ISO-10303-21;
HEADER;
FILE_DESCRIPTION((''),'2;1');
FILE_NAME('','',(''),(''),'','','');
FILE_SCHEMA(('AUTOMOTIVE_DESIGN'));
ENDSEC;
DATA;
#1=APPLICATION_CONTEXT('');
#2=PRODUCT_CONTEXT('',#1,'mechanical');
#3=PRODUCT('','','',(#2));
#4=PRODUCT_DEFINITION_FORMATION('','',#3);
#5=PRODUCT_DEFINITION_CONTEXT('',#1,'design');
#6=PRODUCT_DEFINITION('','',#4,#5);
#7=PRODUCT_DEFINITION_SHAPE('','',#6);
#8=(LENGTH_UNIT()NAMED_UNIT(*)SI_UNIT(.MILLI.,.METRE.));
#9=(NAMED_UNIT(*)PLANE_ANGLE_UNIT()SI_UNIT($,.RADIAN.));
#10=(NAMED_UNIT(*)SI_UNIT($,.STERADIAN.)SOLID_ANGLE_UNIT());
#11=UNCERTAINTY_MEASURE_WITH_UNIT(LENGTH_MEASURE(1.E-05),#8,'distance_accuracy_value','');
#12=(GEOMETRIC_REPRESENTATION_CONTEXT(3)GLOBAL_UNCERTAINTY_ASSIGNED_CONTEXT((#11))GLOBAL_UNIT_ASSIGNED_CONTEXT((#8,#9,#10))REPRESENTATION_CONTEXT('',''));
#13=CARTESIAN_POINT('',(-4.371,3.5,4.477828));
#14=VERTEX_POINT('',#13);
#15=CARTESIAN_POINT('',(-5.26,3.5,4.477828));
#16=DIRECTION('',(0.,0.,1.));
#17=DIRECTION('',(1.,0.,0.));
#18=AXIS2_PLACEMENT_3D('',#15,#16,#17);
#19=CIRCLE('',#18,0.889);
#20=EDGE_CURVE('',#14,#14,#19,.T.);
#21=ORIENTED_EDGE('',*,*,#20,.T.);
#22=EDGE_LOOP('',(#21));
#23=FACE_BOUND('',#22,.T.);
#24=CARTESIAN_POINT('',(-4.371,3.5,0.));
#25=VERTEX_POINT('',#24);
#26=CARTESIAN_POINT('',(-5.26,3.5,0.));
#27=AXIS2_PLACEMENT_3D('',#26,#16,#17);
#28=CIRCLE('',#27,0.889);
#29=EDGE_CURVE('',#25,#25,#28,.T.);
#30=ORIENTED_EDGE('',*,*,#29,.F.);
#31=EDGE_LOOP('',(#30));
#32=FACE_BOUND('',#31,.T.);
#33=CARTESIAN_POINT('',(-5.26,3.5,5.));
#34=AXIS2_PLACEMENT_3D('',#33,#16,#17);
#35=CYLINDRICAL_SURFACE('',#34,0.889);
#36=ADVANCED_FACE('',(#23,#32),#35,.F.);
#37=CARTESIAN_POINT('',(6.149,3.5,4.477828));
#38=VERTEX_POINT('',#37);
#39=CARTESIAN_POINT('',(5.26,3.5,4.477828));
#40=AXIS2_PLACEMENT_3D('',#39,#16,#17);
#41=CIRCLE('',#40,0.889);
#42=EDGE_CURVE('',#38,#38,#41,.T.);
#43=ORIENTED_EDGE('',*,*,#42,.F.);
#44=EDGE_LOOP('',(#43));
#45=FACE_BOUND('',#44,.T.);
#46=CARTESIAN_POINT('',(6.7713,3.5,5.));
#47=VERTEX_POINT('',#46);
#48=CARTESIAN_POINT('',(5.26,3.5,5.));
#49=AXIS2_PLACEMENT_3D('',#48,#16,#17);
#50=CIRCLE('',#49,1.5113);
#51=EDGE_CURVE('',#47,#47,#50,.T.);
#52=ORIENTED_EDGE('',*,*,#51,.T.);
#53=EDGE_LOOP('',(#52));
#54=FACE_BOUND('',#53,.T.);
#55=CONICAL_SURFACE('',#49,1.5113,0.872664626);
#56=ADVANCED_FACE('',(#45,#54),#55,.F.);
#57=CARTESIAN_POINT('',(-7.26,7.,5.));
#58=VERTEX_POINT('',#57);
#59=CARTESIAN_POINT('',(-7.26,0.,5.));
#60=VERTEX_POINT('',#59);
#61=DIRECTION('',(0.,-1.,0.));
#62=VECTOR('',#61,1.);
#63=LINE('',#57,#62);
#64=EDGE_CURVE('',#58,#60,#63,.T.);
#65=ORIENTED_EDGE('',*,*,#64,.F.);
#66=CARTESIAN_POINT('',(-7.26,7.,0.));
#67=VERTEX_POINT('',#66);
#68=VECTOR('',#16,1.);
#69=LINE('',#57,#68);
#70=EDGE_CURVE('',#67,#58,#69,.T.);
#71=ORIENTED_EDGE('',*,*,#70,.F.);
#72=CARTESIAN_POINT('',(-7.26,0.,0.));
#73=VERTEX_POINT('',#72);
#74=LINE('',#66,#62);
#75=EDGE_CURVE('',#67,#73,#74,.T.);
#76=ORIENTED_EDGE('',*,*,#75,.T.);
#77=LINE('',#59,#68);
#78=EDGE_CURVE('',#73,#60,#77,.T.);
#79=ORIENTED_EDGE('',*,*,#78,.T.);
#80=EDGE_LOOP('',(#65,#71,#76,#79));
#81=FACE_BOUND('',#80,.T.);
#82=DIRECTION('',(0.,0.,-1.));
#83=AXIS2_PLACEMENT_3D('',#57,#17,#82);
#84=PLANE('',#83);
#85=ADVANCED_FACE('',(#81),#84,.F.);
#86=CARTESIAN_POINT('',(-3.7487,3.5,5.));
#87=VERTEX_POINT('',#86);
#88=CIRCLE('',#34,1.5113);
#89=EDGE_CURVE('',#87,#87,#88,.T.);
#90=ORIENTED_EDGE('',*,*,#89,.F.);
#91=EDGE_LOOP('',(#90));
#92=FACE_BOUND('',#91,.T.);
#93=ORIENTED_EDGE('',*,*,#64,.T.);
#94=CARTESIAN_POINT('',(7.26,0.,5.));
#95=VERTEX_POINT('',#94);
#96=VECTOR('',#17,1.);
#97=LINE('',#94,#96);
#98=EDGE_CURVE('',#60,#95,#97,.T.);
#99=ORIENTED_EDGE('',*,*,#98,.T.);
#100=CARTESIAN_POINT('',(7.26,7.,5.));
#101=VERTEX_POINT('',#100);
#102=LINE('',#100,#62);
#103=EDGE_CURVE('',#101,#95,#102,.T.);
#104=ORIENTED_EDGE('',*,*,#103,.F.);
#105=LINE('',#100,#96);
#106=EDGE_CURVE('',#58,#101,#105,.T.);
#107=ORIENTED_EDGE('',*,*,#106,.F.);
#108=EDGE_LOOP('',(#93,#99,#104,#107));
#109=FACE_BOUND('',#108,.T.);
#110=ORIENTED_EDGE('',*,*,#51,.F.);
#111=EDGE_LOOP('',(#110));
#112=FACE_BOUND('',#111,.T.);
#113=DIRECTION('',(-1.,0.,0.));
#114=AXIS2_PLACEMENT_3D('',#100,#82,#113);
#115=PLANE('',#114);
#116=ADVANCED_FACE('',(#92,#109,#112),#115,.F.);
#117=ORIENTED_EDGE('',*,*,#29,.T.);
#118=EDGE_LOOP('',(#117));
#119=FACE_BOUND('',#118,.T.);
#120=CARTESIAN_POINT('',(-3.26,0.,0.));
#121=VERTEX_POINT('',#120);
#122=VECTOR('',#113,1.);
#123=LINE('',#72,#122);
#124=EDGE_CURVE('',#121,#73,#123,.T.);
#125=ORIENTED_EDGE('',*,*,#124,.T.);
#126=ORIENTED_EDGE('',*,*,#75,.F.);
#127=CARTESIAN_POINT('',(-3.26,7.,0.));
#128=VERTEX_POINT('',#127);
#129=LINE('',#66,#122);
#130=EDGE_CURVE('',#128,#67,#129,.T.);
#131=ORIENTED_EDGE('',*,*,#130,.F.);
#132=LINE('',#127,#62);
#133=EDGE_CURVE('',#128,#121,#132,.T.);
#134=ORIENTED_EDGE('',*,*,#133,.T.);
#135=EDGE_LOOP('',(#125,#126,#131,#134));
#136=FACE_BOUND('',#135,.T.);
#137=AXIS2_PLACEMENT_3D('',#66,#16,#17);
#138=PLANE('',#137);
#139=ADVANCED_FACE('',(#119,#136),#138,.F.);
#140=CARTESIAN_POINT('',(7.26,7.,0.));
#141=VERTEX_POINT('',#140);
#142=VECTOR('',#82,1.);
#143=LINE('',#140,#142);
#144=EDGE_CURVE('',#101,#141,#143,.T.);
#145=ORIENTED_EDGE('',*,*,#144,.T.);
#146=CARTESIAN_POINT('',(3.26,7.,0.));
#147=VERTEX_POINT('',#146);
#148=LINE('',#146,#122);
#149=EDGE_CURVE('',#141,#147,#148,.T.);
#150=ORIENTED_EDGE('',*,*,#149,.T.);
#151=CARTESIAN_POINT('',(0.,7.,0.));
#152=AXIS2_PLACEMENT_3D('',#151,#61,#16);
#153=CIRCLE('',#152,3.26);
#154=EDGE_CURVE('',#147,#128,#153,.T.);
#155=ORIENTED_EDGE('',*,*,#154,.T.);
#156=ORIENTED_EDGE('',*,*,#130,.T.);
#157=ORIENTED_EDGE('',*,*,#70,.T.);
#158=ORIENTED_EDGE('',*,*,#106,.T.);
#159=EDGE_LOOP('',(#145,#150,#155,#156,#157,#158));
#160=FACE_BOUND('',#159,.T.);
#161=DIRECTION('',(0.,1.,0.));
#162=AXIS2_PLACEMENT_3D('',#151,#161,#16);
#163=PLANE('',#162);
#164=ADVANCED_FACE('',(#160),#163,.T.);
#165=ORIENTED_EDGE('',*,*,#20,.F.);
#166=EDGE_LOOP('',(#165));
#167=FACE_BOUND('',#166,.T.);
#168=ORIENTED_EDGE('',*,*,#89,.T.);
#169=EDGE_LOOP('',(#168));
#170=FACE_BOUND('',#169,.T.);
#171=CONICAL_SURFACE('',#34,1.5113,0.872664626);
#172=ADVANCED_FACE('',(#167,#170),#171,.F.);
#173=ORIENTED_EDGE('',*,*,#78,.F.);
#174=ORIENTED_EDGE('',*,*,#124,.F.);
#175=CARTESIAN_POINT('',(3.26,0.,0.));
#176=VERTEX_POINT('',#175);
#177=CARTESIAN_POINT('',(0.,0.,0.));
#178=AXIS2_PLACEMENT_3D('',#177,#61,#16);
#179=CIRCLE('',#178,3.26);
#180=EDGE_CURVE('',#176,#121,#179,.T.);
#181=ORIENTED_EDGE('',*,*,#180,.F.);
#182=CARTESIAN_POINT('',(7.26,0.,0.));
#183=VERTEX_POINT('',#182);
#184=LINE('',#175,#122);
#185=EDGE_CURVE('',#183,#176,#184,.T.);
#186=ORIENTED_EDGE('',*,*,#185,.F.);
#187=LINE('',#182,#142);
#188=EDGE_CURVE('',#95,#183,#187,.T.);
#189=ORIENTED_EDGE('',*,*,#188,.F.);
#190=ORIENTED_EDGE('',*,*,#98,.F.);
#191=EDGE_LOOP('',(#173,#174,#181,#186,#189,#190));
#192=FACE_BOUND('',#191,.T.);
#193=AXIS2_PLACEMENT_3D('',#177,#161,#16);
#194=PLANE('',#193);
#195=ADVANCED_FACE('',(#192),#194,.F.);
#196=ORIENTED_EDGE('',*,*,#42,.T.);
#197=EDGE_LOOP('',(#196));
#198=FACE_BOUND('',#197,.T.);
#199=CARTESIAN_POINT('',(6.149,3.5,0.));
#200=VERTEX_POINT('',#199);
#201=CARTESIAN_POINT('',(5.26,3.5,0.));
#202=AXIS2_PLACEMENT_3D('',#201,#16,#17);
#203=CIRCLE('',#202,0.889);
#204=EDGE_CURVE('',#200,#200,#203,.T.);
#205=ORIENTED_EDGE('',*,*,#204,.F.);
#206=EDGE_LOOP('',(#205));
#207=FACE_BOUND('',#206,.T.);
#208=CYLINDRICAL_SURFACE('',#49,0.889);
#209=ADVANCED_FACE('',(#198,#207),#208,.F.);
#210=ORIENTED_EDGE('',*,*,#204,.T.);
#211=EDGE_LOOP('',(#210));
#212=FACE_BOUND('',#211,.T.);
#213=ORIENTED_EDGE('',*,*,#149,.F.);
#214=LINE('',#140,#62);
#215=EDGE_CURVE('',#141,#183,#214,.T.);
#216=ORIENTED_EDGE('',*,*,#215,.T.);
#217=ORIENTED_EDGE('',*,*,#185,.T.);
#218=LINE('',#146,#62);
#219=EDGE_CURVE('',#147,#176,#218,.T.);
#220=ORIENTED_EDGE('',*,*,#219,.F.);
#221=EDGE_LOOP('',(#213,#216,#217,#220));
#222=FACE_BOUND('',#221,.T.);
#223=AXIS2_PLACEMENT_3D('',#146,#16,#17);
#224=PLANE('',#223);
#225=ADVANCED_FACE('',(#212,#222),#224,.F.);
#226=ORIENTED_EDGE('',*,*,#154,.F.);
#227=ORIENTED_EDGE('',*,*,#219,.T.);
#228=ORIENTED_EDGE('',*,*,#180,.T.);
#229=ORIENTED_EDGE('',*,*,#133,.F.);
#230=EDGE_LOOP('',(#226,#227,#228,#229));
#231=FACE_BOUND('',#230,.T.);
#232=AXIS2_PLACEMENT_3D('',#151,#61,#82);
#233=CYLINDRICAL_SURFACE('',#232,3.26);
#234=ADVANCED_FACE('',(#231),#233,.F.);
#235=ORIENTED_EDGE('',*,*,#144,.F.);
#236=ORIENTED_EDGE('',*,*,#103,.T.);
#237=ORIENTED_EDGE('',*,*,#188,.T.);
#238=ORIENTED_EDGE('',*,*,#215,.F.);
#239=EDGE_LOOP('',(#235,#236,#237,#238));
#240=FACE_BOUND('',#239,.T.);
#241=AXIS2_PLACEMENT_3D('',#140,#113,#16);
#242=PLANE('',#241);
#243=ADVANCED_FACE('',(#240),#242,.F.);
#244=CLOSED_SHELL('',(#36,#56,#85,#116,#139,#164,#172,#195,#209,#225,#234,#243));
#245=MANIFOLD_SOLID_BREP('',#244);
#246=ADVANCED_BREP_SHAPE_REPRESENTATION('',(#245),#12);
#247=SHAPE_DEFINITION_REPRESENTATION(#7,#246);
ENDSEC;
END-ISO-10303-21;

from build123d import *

# Parameters (mm, degrees)
BOSS_EXTRUDE1_DEPTH                               = 7
CSK_FOR_0_FLAT_HEAD_MACHINE_SCREW_100_D           = 1.778
CSK_FOR_0_FLAT_HEAD_MACHINE_SCREW_100_CSINK_D     = 3.0226
CSK_FOR_0_FLAT_HEAD_MACHINE_SCREW_100_CSINK_ANGLE = 100


with BuildPart() as part:
    # Sketch1 → Boss-Extrude1 (new body)
    with BuildSketch(Plane(origin=(0, 0, 0), x_dir=(1, 0, 0), z_dir=(0, 1, 0))):
        with BuildLine():
            Line((-7.26, 0), (-3.26, 0))
            ThreePointArc((-3.26, 0), (0, -3.26), (3.26, 0))
            Line((3.26, 0), (7.26, 0))
            Line((7.26, 0), (7.26, -5))
            Line((7.26, -5), (-7.26, -5))
            Line((-7.26, -5), (-7.26, 0))
        make_face()
    extrude(amount=BOSS_EXTRUDE1_DEPTH)

    # CSK for #0 Flat Head Machine Screw (100)1 (through all)
    with Locations(Plane.XY.offset(5)):
        with Locations((-5.26, 3.5), (5.26, 3.5)):
            CounterSinkHole(CSK_FOR_0_FLAT_HEAD_MACHINE_SCREW_100_D / 2, CSK_FOR_0_FLAT_HEAD_MACHINE_SCREW_100_CSINK_D / 2, counter_sink_angle=CSK_FOR_0_FLAT_HEAD_MACHINE_SCREW_100_CSINK_ANGLE)


solid = part.part
